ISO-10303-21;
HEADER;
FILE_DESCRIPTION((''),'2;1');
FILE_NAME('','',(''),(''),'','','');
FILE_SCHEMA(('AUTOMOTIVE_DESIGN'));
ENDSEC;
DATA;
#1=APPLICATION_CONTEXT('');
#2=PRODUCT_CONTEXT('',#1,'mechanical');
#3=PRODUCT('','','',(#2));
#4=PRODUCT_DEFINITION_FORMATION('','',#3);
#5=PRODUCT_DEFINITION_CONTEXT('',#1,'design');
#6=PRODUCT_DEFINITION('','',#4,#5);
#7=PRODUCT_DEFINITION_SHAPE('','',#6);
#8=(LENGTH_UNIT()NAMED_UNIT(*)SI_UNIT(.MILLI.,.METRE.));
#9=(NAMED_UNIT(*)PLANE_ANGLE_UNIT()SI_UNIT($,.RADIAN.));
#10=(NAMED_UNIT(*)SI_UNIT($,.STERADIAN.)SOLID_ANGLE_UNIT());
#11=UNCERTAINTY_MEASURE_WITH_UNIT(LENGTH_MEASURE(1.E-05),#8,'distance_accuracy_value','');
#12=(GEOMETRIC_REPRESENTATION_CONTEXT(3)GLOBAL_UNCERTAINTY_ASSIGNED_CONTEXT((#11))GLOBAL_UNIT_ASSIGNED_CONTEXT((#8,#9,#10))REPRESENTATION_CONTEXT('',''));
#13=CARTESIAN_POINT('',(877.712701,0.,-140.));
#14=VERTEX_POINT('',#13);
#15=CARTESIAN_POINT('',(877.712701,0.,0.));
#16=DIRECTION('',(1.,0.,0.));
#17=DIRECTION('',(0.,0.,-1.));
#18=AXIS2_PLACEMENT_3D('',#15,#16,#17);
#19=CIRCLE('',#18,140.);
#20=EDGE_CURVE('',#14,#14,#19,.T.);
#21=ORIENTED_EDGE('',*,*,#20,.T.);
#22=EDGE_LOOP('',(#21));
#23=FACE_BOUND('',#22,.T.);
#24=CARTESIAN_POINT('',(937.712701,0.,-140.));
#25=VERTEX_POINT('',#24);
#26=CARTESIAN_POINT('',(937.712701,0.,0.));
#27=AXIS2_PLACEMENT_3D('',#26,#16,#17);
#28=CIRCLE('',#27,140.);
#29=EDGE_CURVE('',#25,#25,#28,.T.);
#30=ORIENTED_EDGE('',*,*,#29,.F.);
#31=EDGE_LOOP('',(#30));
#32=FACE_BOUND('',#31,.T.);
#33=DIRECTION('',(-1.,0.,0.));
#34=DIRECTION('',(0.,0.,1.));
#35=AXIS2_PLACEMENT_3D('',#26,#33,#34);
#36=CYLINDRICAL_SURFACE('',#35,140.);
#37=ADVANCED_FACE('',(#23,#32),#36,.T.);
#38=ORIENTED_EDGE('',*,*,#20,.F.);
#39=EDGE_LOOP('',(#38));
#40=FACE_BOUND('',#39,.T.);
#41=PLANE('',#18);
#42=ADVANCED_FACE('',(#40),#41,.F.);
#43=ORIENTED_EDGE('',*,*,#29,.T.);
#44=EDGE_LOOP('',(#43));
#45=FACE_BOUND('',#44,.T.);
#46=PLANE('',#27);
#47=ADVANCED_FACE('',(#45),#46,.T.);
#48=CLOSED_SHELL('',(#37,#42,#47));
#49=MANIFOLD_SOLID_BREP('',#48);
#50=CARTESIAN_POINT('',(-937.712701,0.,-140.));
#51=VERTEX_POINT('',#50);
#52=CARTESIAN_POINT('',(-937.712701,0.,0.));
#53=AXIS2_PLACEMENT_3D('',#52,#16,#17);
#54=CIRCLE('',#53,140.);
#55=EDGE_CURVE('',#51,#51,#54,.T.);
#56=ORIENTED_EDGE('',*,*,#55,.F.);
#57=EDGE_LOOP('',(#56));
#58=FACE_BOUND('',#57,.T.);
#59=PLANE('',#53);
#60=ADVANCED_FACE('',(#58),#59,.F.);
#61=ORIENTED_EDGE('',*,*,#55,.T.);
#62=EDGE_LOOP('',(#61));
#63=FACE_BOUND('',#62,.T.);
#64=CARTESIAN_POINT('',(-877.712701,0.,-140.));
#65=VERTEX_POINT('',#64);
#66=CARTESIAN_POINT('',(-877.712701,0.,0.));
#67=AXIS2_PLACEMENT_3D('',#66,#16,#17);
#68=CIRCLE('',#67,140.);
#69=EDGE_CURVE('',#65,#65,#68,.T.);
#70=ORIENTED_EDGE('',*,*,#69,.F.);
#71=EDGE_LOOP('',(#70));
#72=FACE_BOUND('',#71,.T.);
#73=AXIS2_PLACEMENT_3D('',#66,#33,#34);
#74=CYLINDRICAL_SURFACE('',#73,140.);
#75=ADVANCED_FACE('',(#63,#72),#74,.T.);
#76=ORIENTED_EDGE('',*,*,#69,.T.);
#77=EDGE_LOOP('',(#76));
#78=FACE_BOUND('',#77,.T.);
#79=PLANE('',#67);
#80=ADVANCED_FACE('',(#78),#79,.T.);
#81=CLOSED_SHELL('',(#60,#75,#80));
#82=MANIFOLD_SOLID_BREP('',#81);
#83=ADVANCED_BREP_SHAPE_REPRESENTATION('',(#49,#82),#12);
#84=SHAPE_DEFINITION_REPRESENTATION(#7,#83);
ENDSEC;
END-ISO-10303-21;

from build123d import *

# Parameters (mm, degrees)
BOSS_EXTRUDE1_START = -937.712701274
SKETCH1_R           = 140
BOSS_EXTRUDE1_DEPTH = 60
BOSS_EXTRUDE2_START = 877.712701274
SKETCH2_R           = 140
BOSS_EXTRUDE2_DEPTH = 60


with BuildPart() as part:
    # Sketch1 → Boss-Extrude1 (new body)
    with BuildSketch(Plane(origin=(0, 0, 0), x_dir=(0, 0, -1), z_dir=(1, 0, 0)).offset(BOSS_EXTRUDE1_START)):
        Circle(SKETCH1_R)
    extrude(amount=BOSS_EXTRUDE1_DEPTH)


with BuildPart() as body_2:
    # Sketch2 → Boss-Extrude2 (new body)
    with BuildSketch(Plane(origin=(0, 0, 0), x_dir=(0, 0, -1), z_dir=(1, 0, 0)).offset(BOSS_EXTRUDE2_START)):
        Circle(SKETCH2_R)
    extrude(amount=BOSS_EXTRUDE2_DEPTH)


solid = Compound([part.part, body_2.part])
